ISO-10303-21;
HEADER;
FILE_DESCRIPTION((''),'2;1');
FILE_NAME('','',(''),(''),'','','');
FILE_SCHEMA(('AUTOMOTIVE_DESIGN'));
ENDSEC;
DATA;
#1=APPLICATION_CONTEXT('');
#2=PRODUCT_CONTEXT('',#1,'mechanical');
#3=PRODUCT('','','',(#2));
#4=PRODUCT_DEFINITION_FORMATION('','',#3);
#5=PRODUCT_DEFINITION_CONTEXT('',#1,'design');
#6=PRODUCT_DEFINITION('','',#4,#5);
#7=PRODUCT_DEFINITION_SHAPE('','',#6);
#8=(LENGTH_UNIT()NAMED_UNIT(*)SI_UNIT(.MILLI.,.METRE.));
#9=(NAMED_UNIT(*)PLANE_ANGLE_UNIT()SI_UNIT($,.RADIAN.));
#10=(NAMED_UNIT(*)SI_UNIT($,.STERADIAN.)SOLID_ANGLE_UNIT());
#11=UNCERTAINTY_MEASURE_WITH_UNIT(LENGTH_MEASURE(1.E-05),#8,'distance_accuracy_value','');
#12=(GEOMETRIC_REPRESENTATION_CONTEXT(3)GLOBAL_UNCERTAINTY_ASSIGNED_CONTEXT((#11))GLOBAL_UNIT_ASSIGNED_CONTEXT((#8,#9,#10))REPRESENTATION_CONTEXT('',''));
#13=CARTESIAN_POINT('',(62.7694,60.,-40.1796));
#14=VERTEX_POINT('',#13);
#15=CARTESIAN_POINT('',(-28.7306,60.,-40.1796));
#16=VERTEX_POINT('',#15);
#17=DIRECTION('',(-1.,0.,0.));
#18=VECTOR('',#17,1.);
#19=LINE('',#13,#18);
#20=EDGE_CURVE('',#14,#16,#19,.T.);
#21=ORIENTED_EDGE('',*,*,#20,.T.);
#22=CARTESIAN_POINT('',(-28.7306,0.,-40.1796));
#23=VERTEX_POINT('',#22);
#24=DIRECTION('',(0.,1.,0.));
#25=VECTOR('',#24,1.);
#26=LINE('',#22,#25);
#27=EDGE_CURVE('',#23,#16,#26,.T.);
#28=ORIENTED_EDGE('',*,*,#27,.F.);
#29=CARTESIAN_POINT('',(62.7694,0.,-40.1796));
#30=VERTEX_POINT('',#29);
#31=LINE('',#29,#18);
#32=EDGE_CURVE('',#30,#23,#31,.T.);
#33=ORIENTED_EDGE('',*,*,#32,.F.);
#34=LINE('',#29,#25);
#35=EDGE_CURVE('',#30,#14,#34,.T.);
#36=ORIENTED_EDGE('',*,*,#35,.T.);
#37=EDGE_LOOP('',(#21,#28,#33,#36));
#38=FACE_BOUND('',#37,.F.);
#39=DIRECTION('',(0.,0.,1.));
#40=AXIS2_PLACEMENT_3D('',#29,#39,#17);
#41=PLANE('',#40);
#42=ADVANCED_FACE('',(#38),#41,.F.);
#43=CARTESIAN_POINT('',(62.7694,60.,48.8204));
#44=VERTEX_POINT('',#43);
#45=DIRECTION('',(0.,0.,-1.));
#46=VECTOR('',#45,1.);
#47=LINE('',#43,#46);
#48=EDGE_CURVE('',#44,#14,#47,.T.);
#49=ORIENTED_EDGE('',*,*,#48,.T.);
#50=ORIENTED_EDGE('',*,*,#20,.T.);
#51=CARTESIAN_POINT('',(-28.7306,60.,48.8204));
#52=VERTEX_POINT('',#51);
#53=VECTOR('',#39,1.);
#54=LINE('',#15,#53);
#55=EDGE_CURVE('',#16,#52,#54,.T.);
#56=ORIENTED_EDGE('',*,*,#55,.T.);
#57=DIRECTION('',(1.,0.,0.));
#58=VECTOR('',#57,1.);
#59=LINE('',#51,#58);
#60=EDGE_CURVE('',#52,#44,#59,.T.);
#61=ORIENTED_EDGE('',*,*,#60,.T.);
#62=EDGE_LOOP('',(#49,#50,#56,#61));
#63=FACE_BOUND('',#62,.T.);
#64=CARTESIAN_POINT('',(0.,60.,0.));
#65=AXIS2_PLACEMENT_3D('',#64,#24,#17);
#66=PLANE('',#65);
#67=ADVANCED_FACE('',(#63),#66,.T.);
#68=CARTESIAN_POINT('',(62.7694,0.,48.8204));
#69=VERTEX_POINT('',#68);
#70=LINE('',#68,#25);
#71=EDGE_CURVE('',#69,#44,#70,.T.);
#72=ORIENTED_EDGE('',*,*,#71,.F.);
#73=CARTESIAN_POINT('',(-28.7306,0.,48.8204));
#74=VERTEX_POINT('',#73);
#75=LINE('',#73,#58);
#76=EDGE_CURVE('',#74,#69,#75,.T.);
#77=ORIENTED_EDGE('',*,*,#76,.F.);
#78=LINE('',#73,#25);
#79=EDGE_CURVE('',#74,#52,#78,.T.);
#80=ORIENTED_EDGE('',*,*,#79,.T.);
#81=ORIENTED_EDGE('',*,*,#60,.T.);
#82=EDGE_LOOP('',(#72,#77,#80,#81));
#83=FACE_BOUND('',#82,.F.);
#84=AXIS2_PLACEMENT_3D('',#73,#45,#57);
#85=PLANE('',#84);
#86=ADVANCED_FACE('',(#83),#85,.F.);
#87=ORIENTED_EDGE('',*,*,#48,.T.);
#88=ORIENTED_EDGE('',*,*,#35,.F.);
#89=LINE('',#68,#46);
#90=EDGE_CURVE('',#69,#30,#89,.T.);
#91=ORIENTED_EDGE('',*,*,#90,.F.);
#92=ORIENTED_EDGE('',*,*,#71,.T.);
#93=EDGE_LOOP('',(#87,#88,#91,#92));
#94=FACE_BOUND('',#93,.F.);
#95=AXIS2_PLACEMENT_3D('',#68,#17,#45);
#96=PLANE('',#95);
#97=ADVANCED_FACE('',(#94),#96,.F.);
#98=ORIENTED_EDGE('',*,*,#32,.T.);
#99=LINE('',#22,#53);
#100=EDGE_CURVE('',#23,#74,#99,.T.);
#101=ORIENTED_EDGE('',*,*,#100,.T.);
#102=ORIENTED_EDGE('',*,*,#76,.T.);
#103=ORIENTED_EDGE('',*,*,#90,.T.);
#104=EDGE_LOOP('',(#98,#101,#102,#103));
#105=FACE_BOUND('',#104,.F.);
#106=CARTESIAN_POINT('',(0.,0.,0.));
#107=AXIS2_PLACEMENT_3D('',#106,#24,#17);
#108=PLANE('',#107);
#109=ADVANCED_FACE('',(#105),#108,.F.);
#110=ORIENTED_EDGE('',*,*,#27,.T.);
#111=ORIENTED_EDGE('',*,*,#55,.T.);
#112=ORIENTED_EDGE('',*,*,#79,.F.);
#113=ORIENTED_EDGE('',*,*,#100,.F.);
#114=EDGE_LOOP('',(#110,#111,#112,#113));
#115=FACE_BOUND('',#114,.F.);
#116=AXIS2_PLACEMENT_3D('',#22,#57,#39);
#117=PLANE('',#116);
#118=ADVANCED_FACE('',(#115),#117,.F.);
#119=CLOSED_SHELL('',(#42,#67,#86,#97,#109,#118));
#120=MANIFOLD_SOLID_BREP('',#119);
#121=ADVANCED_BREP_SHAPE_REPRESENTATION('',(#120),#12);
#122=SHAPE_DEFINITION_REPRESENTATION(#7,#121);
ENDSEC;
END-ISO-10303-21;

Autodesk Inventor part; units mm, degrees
ref_plane "YZ Plane" through (0, 0, 0) normal (1, 0, 0) x (0, 1, 0)
ref_plane "XZ Plane" through (0, 0, 0) normal (0, 1, 0) x (-1, 0, 0)
ref_plane "XY Plane" through (0, 0, 0) normal (0, 0, 1) x (1, 0, 0)
sketch "Sketch1" plane through (0, 0, 0) normal (0, 1, 0) x (-1, 0, 0)
  line L0 (28.7306, 48.8204) -> (-62.7694, 48.8204)
  line L1 (-62.7694, 48.8204) -> (-62.7694, -40.1796)
  line L2 (-62.7694, -40.1796) -> (28.7306, -40.1796)
  line L3 (28.7306, -40.1796) -> (28.7306, 48.8204)
  point P0 (0, 0)
  dimension "d0" = 89
  dimension "d1" = 91.5
extrude "Extrusion1" add sketch "Sketch1" along normal blind 60
properties part number "usb hub"
